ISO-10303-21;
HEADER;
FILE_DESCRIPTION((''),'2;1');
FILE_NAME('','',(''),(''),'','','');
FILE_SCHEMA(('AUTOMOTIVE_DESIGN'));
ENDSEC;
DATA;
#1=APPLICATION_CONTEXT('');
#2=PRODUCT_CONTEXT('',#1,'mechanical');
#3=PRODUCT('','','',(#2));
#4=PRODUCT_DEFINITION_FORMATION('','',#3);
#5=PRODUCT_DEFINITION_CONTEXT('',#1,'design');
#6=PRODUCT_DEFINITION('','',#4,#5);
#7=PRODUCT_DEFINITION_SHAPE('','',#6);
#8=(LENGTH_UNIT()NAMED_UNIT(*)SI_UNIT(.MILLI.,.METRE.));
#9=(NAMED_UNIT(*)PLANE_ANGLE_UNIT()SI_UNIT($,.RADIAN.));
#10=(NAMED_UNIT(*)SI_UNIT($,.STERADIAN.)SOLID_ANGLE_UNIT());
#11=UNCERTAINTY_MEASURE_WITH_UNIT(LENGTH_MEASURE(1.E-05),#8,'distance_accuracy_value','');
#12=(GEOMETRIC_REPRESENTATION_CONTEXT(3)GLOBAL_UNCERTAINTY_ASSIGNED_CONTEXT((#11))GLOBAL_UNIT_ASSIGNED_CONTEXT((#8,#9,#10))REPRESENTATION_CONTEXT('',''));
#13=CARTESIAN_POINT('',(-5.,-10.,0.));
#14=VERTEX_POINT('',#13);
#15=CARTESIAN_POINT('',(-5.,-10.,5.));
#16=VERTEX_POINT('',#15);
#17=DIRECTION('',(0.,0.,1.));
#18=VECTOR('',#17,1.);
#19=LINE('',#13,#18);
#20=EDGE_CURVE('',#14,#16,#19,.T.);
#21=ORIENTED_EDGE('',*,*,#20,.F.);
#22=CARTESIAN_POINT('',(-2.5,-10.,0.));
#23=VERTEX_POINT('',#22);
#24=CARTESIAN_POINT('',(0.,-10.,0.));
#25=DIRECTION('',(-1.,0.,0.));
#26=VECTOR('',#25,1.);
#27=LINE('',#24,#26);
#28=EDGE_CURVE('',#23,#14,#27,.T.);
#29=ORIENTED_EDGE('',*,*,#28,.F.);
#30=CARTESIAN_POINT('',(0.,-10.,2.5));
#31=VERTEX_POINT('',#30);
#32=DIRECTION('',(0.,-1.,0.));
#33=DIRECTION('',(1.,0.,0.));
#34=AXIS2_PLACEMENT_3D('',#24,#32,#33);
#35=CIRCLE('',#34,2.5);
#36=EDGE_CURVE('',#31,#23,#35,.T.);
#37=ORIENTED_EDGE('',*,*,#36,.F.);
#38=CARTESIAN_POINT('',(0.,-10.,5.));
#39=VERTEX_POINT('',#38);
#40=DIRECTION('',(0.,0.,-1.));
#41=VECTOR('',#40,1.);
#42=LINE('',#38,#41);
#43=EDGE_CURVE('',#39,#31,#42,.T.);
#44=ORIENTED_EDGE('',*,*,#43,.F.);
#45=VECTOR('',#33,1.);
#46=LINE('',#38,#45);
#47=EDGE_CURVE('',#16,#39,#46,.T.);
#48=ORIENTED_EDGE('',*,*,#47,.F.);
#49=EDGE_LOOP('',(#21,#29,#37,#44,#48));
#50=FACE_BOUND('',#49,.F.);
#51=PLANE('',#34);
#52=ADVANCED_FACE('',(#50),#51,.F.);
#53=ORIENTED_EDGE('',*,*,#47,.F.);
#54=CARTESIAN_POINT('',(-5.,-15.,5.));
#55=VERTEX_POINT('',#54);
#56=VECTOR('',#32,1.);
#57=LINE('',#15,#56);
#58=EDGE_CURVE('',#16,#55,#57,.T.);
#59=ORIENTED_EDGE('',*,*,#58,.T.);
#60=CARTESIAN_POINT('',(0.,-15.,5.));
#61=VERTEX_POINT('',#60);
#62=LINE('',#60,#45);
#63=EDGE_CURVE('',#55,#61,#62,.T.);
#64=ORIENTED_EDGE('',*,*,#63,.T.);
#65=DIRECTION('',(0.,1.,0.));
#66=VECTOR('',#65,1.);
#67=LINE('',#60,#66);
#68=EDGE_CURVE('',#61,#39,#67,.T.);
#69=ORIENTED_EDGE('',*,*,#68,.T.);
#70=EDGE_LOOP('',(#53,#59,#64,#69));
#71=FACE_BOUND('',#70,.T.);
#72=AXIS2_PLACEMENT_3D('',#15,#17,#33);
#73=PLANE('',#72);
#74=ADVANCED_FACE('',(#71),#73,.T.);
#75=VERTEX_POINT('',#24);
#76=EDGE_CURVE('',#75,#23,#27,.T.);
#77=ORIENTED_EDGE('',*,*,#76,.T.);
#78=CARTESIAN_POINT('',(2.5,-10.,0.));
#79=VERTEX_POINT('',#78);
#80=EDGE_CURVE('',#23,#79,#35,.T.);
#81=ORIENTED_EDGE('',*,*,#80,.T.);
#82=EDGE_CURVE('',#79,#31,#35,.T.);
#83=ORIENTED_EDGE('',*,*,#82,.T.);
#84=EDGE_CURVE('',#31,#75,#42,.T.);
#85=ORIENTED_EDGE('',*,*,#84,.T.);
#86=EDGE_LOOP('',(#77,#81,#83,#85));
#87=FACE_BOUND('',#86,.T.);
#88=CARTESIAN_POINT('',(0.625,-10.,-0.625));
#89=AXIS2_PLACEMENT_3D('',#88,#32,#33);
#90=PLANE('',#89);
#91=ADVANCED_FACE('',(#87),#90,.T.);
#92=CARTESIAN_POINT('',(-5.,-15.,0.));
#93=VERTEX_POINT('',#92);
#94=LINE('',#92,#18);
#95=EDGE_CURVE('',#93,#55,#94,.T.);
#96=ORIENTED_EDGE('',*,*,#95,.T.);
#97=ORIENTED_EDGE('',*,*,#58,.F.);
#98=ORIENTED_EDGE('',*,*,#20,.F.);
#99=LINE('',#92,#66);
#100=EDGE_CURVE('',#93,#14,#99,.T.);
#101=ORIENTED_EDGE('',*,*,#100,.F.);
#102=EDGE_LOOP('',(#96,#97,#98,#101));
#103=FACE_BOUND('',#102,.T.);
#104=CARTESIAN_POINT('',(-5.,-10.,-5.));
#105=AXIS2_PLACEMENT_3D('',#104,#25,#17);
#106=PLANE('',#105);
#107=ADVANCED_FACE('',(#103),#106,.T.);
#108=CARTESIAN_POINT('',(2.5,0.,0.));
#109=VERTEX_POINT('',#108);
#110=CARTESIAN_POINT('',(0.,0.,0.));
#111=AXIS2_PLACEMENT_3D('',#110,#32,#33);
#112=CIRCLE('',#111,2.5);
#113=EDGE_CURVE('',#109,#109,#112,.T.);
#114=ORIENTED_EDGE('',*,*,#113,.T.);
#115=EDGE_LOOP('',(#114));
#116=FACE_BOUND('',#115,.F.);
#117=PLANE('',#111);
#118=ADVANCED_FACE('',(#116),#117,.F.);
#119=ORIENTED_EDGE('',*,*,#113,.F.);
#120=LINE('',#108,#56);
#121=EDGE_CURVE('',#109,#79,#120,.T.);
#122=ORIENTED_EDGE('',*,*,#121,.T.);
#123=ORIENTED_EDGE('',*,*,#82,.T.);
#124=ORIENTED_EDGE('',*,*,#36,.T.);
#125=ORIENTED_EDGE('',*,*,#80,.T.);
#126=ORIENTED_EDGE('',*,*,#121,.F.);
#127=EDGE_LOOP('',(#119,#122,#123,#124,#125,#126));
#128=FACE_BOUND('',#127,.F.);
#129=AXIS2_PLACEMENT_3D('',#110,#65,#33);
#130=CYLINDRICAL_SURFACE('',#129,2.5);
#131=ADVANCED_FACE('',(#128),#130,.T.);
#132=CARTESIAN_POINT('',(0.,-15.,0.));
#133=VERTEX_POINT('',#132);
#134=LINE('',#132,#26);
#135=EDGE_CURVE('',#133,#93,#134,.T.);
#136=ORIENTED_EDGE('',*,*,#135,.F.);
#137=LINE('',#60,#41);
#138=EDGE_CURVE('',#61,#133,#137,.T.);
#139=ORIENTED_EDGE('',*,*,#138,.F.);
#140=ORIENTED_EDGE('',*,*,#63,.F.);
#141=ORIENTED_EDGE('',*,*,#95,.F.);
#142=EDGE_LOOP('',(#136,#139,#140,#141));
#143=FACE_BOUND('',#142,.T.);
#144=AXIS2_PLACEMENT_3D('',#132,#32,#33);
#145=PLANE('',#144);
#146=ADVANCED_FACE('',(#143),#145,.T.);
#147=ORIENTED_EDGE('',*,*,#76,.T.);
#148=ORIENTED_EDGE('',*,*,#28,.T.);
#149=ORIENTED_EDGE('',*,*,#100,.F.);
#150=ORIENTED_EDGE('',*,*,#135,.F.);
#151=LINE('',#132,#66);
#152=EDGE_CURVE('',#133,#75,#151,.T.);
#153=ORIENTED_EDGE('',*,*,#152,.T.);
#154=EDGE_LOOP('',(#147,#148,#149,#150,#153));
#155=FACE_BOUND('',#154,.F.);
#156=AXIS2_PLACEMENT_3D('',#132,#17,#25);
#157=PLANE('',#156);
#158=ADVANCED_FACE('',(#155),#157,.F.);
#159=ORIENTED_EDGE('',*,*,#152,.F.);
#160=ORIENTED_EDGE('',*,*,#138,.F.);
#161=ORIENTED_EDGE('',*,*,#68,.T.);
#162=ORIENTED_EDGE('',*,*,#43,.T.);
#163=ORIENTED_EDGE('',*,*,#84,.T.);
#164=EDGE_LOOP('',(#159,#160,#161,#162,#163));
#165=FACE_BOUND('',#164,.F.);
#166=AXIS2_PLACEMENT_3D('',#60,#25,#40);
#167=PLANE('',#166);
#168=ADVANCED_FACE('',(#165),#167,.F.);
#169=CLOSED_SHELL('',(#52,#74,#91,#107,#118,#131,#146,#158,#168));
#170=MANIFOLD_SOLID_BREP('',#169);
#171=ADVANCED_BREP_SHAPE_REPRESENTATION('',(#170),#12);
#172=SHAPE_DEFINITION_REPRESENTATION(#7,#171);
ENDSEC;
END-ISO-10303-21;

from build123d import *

# Parameters (mm, degrees)
F0_R     = 2.5
F1_DEPTH = 10
F2_W     = 10
F2_H     = 10
F3_DEPTH = 5
F5_DEPTH = 5


with BuildPart() as f1:
    # F0 (on Front) → F1 (new body)
    with BuildSketch(Plane.XZ):
        Circle(F0_R)
    extrude(amount=F1_DEPTH)

    # F2 (on face) → F3 (join)
    with BuildSketch(Plane.XZ.offset(10)):
        Rectangle(F2_W, F2_H)
    extrude(amount=F3_DEPTH)

    # F4 (on face) → F5 (cut, through all)
    with BuildSketch(Plane.XZ.offset(15)):
        Polygon((0, 5), (0, 0), (-5, 0), (-5, -5), (5, -5), (5, 0), (5, 5), align=None)
    extrude(amount=-F5_DEPTH, mode=Mode.SUBTRACT)


solid = f1.part
